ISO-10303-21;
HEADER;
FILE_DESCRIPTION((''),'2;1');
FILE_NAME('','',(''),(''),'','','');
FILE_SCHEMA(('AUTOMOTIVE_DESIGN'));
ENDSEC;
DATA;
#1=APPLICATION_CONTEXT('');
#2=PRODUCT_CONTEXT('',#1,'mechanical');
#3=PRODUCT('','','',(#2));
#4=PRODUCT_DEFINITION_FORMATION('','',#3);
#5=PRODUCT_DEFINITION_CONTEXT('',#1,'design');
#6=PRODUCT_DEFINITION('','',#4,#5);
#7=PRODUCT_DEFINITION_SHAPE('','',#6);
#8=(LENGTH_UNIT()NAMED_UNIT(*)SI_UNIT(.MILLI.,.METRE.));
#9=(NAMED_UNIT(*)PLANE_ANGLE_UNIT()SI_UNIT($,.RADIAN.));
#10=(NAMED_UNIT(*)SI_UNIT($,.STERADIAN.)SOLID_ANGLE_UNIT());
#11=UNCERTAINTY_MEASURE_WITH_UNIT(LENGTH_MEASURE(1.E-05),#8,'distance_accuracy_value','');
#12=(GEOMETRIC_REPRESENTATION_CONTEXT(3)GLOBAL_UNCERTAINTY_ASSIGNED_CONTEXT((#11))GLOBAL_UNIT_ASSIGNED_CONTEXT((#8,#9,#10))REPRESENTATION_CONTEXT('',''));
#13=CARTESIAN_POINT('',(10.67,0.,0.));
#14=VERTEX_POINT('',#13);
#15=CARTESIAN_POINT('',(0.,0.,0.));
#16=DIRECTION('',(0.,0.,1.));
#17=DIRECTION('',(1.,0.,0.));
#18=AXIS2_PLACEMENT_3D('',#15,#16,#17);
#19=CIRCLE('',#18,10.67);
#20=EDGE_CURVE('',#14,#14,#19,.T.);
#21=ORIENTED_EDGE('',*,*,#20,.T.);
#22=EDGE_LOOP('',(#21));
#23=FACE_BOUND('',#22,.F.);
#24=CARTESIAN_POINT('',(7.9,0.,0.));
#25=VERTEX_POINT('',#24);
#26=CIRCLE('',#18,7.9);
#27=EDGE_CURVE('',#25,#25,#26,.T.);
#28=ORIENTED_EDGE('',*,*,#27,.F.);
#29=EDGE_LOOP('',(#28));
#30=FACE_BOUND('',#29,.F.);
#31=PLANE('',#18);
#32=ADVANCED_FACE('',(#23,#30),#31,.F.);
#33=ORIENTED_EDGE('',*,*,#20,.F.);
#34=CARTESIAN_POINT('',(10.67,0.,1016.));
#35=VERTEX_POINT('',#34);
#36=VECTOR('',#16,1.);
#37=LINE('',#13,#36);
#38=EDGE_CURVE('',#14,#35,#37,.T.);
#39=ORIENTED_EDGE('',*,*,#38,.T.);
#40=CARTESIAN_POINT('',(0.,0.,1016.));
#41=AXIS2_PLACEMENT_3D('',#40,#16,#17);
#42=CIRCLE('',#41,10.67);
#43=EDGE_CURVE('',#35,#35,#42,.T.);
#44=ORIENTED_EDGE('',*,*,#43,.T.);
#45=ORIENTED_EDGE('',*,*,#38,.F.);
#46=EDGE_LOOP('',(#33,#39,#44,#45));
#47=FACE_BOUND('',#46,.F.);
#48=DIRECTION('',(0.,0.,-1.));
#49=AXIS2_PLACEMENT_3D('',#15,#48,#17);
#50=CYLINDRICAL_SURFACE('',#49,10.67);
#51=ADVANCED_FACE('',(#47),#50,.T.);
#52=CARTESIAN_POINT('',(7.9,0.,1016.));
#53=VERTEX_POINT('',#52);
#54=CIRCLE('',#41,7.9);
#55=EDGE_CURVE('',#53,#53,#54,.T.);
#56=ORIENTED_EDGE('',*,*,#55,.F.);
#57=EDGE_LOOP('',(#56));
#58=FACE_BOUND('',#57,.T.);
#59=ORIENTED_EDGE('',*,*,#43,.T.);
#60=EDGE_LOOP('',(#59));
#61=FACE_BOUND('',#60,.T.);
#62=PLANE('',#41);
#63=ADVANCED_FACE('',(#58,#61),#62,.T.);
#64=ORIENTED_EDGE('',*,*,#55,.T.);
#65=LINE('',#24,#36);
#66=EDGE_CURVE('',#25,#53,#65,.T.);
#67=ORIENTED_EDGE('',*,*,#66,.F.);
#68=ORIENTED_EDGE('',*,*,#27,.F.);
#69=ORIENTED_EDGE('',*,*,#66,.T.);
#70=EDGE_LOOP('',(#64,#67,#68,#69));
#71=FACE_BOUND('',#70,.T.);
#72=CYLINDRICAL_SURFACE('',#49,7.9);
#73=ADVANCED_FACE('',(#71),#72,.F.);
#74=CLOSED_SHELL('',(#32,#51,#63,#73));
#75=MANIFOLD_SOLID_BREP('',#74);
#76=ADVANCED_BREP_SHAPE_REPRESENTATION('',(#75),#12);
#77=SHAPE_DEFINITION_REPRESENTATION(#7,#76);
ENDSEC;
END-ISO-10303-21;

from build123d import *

# Parameters (mm, degrees)
CYLINDER002_R     = 7.9
CYLINDER002_DEPTH = 1016
CYLINDER003_R     = 10.67
CYLINDER003_DEPTH = 1016


with BuildPart() as cylinder002:
    # Cylinder002 → Cylinder002 (new body)
    with BuildSketch(Plane.XY):
        Circle(CYLINDER002_R)
    extrude(amount=CYLINDER002_DEPTH)


with BuildPart() as pipe:
    # Cylinder003 → Cylinder003 (new body)
    with BuildSketch(Plane.XY):
        Circle(CYLINDER003_R)
    extrude(amount=CYLINDER003_DEPTH)

    # Cut001: cut Cylinder002
    add(cylinder002.part, mode=Mode.SUBTRACT)


solid = pipe.part
